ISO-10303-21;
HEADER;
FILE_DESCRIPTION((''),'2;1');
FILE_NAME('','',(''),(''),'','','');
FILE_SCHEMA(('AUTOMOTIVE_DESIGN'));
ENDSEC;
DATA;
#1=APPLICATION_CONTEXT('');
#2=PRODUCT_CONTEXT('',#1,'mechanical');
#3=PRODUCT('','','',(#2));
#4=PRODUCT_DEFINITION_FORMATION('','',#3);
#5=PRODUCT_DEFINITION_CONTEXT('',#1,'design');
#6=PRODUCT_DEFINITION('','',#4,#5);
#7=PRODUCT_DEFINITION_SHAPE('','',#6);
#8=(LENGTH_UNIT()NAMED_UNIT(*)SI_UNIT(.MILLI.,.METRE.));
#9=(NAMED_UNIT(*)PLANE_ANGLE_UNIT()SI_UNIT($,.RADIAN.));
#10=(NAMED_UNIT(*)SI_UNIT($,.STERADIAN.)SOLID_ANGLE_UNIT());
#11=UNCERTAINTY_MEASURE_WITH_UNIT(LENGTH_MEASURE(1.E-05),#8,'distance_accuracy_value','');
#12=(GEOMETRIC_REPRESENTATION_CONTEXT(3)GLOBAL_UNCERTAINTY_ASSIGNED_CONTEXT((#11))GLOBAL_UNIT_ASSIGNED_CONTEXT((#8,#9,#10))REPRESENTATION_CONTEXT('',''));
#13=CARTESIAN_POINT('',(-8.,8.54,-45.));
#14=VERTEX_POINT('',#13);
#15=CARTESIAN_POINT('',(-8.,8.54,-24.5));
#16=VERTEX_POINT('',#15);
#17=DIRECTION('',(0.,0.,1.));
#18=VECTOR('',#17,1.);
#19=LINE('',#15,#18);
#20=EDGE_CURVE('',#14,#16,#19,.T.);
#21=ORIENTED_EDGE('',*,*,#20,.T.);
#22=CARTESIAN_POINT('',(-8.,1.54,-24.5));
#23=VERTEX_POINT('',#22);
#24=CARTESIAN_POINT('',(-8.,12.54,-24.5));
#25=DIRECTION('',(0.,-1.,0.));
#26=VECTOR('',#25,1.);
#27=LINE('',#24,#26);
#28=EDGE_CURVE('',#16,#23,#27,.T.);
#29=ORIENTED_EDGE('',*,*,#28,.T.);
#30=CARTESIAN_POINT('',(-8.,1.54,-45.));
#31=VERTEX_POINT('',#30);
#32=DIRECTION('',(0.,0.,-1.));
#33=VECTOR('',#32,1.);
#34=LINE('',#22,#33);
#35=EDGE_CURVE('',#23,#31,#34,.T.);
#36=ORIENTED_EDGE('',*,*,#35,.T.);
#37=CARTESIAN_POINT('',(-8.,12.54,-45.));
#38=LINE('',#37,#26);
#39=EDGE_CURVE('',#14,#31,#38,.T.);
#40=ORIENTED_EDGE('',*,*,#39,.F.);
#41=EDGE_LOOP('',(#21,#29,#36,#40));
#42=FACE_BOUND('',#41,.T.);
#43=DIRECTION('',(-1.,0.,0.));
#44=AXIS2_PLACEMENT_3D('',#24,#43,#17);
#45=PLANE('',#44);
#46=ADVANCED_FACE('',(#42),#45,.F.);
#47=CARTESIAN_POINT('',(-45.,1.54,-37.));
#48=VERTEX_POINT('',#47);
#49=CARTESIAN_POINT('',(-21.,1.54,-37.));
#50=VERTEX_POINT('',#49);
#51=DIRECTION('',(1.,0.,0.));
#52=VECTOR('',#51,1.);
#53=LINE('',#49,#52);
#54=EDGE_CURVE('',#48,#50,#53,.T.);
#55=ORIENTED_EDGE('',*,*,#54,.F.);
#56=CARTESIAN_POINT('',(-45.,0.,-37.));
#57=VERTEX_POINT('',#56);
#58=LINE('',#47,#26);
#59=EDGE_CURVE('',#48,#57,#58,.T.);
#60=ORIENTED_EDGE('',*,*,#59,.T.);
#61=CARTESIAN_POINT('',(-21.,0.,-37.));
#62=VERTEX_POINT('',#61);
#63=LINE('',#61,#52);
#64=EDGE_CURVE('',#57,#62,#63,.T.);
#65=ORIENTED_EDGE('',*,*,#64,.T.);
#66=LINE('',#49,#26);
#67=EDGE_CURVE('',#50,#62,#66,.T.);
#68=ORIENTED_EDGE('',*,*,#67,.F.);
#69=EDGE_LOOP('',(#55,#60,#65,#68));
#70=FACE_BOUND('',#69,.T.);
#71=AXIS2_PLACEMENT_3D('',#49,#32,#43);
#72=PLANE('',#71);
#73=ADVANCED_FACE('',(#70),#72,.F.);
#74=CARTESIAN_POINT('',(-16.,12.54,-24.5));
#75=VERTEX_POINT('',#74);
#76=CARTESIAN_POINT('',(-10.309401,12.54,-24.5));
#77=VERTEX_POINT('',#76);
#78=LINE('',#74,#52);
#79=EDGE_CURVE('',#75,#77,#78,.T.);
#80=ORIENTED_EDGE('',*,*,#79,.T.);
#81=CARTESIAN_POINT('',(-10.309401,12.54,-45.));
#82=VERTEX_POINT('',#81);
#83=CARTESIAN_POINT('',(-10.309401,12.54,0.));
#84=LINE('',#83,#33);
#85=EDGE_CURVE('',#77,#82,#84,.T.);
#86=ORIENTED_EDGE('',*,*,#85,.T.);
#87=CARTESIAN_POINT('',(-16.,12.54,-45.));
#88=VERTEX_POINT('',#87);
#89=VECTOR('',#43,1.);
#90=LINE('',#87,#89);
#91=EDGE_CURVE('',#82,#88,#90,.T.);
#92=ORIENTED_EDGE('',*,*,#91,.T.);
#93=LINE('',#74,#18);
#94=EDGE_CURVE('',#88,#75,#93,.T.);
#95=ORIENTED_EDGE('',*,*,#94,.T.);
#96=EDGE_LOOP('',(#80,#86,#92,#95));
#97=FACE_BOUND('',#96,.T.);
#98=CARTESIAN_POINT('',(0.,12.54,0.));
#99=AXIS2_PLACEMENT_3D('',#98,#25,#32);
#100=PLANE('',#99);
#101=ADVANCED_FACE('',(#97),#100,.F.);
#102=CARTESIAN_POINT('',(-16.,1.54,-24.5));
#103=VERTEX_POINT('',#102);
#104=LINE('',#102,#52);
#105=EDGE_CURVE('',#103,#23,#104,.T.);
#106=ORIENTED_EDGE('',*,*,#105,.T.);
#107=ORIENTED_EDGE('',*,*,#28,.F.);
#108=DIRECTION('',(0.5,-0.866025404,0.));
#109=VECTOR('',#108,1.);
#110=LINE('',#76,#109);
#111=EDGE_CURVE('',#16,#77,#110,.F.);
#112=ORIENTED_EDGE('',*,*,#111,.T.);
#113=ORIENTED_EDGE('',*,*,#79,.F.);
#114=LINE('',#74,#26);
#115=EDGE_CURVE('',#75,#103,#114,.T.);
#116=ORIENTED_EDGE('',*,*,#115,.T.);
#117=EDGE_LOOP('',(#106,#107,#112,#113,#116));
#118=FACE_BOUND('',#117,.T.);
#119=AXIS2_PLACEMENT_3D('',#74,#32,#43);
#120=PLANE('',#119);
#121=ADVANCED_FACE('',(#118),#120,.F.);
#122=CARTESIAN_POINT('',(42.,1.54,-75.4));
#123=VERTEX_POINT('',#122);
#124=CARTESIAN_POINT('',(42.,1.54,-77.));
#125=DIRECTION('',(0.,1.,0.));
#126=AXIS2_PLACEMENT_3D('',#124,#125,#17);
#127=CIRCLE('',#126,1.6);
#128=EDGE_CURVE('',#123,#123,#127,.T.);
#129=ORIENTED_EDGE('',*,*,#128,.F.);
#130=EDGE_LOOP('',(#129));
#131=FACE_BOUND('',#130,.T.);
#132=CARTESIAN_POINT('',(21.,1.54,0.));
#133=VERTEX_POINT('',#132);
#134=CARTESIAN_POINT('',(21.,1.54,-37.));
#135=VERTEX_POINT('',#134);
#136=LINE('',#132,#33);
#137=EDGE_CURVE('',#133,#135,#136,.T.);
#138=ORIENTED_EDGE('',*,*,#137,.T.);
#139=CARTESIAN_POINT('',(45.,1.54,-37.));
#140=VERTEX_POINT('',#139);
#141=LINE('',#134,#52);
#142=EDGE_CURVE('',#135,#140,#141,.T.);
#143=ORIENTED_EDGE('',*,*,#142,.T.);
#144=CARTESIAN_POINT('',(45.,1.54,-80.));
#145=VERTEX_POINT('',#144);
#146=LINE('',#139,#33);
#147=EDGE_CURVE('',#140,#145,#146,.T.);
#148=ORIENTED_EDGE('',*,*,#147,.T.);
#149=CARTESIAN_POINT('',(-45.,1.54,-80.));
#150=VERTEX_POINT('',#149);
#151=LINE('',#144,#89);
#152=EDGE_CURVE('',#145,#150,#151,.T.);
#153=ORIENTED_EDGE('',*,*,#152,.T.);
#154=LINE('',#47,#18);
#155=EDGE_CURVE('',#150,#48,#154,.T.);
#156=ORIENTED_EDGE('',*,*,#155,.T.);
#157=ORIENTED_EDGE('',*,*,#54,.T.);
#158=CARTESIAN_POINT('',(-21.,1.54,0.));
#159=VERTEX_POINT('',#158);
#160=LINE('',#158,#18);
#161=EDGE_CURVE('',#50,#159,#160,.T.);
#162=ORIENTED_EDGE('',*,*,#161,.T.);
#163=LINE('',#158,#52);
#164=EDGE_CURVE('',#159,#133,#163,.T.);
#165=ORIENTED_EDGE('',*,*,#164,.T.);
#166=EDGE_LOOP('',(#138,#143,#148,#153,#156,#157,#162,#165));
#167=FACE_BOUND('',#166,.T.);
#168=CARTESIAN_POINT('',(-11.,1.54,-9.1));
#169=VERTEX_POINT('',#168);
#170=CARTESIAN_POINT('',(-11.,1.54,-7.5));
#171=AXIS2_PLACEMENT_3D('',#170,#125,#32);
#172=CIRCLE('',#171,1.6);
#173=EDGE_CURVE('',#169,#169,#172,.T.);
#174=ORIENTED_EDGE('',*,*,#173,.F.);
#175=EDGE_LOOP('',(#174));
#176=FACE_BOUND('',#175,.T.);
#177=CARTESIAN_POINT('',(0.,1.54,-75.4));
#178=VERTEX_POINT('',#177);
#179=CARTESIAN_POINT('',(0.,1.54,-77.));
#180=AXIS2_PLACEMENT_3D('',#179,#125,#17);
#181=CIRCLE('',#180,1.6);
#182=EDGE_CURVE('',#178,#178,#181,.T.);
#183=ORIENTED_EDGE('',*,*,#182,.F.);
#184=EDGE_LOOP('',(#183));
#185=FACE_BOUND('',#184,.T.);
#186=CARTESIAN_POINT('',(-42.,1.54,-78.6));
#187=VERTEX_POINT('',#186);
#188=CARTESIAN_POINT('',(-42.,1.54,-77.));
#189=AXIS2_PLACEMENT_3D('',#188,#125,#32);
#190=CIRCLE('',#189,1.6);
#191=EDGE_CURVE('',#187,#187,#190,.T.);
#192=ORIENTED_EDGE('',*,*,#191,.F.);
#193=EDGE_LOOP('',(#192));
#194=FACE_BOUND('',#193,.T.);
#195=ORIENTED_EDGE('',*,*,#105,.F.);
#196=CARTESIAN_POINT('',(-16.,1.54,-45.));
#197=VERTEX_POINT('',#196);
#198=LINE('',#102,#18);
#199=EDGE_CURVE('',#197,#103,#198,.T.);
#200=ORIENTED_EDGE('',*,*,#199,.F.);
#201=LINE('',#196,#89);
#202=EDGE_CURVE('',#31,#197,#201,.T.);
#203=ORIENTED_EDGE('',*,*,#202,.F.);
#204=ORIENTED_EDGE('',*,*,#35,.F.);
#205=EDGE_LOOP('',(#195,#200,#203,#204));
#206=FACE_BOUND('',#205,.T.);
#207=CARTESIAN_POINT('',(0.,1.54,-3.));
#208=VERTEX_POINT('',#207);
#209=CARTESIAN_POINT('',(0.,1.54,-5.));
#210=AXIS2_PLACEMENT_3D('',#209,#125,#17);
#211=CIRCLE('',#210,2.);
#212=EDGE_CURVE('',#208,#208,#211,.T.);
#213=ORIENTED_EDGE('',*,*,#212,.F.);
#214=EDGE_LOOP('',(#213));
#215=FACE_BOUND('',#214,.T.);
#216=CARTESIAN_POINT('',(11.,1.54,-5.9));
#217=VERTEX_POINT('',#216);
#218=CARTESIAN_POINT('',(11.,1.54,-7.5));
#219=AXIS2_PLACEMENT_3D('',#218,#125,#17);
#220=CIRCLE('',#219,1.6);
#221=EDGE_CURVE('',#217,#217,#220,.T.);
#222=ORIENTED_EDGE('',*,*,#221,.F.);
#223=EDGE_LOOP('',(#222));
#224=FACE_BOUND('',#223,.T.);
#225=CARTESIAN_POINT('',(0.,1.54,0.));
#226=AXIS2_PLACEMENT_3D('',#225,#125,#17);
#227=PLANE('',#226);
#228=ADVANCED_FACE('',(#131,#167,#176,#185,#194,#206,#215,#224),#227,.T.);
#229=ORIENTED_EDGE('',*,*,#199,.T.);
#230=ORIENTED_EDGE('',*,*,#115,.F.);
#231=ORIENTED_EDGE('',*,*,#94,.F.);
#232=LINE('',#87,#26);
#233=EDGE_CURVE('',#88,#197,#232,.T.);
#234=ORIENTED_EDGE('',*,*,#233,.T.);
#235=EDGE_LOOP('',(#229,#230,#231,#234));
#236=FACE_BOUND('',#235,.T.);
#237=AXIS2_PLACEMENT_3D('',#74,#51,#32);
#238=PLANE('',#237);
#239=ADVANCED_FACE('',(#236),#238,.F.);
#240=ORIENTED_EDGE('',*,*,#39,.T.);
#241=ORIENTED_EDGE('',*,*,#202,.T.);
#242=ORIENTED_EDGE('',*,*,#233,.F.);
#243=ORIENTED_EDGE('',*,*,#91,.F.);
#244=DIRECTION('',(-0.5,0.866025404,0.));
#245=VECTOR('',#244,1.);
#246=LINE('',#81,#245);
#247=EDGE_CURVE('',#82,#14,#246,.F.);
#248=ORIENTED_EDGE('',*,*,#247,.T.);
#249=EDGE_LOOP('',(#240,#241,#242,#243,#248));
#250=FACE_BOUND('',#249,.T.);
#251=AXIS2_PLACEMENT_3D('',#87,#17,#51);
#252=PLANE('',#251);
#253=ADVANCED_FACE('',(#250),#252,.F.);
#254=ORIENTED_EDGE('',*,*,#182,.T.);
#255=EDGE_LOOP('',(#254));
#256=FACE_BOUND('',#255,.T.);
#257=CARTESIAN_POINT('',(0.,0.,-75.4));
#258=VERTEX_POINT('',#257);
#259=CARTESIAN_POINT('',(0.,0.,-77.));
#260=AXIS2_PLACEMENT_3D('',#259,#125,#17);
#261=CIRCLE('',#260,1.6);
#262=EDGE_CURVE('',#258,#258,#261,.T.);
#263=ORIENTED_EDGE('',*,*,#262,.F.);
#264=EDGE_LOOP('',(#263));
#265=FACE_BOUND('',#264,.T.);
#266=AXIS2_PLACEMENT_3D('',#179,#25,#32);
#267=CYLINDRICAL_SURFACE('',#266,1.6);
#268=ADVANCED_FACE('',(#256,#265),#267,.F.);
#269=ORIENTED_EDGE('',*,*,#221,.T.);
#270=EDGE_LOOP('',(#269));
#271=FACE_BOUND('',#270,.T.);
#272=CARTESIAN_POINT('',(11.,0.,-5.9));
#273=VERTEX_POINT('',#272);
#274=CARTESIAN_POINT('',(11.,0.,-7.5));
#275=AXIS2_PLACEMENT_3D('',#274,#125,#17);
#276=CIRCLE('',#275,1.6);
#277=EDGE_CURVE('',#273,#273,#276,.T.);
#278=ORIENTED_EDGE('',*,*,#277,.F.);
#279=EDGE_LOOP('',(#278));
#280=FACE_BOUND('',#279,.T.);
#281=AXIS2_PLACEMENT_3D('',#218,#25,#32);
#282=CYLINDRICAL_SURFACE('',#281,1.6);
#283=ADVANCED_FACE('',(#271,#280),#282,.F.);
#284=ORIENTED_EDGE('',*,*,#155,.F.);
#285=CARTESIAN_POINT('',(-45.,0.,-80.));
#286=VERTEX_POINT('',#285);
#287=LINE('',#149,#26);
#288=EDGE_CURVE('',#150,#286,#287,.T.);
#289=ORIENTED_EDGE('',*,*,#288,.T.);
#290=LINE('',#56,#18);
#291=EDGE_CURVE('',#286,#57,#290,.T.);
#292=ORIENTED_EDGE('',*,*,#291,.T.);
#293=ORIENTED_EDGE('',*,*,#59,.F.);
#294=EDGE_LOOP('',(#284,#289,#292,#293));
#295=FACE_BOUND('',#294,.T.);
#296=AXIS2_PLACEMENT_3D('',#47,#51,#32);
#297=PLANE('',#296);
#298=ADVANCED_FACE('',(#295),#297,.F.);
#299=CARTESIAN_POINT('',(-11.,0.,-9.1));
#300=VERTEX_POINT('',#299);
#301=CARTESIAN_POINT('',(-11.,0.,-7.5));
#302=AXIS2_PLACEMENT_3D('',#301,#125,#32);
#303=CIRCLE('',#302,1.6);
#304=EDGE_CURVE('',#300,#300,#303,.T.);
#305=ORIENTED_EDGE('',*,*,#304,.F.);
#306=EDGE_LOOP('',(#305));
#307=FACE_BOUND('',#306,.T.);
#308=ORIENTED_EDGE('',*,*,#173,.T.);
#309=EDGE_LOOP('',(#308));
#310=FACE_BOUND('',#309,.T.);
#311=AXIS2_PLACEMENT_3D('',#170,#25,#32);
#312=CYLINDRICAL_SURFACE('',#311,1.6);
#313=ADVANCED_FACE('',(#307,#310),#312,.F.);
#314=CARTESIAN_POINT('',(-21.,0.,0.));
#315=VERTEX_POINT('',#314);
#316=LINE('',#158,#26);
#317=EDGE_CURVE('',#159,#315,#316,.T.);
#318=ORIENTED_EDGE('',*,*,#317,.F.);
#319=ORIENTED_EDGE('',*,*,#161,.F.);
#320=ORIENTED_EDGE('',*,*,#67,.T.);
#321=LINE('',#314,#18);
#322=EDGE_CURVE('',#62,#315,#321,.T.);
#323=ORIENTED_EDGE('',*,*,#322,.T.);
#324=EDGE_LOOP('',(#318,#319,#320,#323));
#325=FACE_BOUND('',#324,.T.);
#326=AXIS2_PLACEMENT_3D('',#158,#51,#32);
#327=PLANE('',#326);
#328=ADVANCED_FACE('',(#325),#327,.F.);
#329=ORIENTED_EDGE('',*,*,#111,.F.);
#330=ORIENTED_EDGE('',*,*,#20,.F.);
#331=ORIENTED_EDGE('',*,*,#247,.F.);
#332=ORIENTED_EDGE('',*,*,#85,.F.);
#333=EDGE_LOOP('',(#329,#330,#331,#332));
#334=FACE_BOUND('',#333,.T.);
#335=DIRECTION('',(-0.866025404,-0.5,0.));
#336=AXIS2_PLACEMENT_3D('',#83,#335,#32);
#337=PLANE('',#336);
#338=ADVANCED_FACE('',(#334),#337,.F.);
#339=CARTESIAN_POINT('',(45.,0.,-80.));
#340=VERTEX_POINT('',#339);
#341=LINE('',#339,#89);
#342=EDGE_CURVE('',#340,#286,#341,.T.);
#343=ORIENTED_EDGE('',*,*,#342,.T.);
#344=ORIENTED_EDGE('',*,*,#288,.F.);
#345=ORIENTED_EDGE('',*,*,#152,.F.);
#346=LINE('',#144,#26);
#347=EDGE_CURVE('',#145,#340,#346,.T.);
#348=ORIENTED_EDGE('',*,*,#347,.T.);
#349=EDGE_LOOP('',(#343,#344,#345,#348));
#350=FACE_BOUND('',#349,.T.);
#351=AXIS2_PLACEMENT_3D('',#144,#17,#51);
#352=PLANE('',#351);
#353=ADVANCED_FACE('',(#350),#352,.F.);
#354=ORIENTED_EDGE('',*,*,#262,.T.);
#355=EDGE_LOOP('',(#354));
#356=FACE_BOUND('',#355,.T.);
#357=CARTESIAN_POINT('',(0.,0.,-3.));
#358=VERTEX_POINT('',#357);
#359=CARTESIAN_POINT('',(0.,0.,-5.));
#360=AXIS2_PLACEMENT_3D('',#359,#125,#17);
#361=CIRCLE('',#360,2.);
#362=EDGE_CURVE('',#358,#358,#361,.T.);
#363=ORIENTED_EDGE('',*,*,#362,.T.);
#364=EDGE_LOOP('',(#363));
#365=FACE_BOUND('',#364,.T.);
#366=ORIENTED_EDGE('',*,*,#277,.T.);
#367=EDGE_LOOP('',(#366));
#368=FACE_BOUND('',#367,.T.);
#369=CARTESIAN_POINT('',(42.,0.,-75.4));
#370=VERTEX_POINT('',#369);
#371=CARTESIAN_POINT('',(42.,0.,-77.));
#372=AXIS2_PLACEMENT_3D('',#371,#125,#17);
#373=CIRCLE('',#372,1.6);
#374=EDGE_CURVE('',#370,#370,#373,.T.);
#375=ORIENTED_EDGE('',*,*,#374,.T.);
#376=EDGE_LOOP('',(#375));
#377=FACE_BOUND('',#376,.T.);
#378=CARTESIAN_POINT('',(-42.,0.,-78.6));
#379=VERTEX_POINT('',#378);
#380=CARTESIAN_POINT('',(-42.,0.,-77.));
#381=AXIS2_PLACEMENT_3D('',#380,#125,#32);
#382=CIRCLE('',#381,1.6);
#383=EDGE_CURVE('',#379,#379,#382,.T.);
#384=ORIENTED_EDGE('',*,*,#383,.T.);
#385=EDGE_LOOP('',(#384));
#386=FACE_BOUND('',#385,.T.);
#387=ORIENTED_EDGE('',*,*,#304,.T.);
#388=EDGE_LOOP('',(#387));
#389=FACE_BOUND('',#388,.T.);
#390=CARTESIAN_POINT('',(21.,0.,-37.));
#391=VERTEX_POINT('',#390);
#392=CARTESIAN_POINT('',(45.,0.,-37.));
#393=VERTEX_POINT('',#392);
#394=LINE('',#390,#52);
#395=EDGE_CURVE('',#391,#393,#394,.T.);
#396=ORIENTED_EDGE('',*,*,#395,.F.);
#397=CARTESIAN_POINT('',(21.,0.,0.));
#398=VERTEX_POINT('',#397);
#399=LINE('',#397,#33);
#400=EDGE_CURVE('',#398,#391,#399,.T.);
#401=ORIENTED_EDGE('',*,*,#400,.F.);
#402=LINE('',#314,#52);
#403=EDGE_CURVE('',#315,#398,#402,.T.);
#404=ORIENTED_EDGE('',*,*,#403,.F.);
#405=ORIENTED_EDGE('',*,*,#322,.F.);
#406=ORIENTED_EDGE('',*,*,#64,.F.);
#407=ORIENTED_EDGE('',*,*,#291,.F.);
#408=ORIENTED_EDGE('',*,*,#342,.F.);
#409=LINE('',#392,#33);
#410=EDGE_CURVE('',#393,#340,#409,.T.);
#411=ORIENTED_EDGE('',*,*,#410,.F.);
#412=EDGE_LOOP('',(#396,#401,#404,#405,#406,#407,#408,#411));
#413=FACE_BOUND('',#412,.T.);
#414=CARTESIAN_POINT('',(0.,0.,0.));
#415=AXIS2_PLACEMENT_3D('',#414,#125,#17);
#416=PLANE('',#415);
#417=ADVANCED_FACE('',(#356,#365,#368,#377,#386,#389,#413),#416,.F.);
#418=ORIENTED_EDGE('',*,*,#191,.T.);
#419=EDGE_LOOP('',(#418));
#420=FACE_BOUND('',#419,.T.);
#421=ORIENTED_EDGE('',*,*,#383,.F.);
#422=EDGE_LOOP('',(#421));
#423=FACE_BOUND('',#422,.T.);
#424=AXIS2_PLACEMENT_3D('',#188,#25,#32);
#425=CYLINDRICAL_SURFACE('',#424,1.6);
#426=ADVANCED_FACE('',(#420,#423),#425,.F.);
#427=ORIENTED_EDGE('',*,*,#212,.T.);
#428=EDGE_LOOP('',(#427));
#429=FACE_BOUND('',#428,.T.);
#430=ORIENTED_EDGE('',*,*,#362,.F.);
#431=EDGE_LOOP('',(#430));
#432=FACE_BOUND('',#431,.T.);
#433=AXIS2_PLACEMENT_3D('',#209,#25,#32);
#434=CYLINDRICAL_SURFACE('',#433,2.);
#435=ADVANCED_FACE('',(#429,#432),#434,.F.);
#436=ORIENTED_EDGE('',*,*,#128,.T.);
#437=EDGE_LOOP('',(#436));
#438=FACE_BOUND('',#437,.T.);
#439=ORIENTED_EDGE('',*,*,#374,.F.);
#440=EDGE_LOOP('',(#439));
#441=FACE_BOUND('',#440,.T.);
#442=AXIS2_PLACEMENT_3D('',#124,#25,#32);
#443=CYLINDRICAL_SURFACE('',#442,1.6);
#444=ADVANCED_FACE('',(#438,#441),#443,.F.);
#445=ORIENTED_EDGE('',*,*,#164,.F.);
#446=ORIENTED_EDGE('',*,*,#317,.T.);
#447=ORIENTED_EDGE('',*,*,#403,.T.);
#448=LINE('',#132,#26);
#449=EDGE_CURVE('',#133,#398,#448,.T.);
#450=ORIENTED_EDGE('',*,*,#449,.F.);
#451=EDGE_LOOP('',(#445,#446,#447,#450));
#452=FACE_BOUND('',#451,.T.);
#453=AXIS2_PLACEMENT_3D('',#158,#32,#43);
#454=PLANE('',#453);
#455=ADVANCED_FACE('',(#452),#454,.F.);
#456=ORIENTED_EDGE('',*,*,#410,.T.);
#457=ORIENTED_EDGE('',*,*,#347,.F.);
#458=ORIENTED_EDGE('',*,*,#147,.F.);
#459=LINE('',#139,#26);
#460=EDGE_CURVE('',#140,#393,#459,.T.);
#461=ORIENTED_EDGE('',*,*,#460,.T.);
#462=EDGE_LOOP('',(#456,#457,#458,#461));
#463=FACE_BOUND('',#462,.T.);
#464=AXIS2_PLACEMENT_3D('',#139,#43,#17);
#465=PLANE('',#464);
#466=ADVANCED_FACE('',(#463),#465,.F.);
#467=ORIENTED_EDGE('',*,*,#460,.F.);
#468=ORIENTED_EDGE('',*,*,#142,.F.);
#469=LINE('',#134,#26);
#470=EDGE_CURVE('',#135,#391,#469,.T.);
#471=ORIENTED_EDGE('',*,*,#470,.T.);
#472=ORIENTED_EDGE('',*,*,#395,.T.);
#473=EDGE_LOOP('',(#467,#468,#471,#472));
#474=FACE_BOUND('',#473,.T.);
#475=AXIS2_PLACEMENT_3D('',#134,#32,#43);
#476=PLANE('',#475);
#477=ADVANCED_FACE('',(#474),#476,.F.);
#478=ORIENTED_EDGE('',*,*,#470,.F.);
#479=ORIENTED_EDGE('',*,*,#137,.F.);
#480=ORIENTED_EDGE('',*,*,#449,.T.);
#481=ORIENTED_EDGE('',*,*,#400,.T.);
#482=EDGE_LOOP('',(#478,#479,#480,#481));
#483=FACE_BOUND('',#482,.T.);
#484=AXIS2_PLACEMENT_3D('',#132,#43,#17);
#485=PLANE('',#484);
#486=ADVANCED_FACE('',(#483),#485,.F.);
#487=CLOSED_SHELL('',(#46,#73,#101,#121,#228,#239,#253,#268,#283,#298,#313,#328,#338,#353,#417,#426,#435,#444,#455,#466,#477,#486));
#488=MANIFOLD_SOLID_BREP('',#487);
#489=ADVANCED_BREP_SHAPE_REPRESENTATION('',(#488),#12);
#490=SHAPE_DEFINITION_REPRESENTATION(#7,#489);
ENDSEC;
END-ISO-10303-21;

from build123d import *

# Parameters (mm, degrees)
SKETCH_1_R      = 1.6
SKETCH_1_R_2    = 2
EXTRUDE_1_DEPTH = 1.54
SKETCH_2_W      = 8
SKETCH_2_H      = 20.5
EXTRUDE_2_DEPTH = 11
CHAMFER_1_SIZE  = 4
CHAMFER_1_SIZE2 = 2.309401077


with BuildPart() as part:
    # Эскиз1 → Бобышка-Вытянуть1 (new body)
    with BuildSketch(Plane(origin=(0, 0, 0), x_dir=(1, 0, 0), z_dir=(0, 1, 0))):
        Polygon((-21, 0), (21, 0), (21, 37), (45, 37), (45, 80), (-45, 80), (-45, 37), (-21, 37), align=None)
        with Locations(Location((11, 7.5, 0), (0, 0, 270))):
            Circle(SKETCH_1_R, mode=Mode.SUBTRACT)
        with Locations(Location((42, 77, 0), (0, 0, 270))):
            Circle(SKETCH_1_R, mode=Mode.SUBTRACT)
        with Locations(Location((0, 77, 0), (0, 0, 270))):
            Circle(SKETCH_1_R, mode=Mode.SUBTRACT)
        with Locations(Location((0, 5, 0), (0, 0, 270))):
            Circle(SKETCH_1_R_2, mode=Mode.SUBTRACT)
        with Locations(Location((-42, 77, 0), (0, 0, 90))):
            Circle(SKETCH_1_R, mode=Mode.SUBTRACT)
        with Locations(Location((-11, 7.5, 0), (0, 0, 90))):
            Circle(SKETCH_1_R, mode=Mode.SUBTRACT)
    extrude(amount=EXTRUDE_1_DEPTH)

    # Эскиз2 → Бобышка-Вытянуть2 (add)
    with BuildSketch(Plane(origin=(0, 1.54, 0), x_dir=(1, 0, 0), z_dir=(0, 1, 0))):
        with Locations((-12, 34.75)):
            Rectangle(SKETCH_2_W, SKETCH_2_H)
    extrude(amount=EXTRUDE_2_DEPTH)

    # Фаска1
    chamfer_1_edges = [part.edges().sort_by_distance(p)[0] for p in [
        (-8, 12.54, -34.75),
    ]]
    chamfer_1_side = [part.faces().sort_by_distance(p)[0] for p in [
        (-8, 7.04, -34.75),
    ]]
    chamfer(chamfer_1_edges, length=CHAMFER_1_SIZE, length2=CHAMFER_1_SIZE2, reference=chamfer_1_side[0])


solid = part.part
